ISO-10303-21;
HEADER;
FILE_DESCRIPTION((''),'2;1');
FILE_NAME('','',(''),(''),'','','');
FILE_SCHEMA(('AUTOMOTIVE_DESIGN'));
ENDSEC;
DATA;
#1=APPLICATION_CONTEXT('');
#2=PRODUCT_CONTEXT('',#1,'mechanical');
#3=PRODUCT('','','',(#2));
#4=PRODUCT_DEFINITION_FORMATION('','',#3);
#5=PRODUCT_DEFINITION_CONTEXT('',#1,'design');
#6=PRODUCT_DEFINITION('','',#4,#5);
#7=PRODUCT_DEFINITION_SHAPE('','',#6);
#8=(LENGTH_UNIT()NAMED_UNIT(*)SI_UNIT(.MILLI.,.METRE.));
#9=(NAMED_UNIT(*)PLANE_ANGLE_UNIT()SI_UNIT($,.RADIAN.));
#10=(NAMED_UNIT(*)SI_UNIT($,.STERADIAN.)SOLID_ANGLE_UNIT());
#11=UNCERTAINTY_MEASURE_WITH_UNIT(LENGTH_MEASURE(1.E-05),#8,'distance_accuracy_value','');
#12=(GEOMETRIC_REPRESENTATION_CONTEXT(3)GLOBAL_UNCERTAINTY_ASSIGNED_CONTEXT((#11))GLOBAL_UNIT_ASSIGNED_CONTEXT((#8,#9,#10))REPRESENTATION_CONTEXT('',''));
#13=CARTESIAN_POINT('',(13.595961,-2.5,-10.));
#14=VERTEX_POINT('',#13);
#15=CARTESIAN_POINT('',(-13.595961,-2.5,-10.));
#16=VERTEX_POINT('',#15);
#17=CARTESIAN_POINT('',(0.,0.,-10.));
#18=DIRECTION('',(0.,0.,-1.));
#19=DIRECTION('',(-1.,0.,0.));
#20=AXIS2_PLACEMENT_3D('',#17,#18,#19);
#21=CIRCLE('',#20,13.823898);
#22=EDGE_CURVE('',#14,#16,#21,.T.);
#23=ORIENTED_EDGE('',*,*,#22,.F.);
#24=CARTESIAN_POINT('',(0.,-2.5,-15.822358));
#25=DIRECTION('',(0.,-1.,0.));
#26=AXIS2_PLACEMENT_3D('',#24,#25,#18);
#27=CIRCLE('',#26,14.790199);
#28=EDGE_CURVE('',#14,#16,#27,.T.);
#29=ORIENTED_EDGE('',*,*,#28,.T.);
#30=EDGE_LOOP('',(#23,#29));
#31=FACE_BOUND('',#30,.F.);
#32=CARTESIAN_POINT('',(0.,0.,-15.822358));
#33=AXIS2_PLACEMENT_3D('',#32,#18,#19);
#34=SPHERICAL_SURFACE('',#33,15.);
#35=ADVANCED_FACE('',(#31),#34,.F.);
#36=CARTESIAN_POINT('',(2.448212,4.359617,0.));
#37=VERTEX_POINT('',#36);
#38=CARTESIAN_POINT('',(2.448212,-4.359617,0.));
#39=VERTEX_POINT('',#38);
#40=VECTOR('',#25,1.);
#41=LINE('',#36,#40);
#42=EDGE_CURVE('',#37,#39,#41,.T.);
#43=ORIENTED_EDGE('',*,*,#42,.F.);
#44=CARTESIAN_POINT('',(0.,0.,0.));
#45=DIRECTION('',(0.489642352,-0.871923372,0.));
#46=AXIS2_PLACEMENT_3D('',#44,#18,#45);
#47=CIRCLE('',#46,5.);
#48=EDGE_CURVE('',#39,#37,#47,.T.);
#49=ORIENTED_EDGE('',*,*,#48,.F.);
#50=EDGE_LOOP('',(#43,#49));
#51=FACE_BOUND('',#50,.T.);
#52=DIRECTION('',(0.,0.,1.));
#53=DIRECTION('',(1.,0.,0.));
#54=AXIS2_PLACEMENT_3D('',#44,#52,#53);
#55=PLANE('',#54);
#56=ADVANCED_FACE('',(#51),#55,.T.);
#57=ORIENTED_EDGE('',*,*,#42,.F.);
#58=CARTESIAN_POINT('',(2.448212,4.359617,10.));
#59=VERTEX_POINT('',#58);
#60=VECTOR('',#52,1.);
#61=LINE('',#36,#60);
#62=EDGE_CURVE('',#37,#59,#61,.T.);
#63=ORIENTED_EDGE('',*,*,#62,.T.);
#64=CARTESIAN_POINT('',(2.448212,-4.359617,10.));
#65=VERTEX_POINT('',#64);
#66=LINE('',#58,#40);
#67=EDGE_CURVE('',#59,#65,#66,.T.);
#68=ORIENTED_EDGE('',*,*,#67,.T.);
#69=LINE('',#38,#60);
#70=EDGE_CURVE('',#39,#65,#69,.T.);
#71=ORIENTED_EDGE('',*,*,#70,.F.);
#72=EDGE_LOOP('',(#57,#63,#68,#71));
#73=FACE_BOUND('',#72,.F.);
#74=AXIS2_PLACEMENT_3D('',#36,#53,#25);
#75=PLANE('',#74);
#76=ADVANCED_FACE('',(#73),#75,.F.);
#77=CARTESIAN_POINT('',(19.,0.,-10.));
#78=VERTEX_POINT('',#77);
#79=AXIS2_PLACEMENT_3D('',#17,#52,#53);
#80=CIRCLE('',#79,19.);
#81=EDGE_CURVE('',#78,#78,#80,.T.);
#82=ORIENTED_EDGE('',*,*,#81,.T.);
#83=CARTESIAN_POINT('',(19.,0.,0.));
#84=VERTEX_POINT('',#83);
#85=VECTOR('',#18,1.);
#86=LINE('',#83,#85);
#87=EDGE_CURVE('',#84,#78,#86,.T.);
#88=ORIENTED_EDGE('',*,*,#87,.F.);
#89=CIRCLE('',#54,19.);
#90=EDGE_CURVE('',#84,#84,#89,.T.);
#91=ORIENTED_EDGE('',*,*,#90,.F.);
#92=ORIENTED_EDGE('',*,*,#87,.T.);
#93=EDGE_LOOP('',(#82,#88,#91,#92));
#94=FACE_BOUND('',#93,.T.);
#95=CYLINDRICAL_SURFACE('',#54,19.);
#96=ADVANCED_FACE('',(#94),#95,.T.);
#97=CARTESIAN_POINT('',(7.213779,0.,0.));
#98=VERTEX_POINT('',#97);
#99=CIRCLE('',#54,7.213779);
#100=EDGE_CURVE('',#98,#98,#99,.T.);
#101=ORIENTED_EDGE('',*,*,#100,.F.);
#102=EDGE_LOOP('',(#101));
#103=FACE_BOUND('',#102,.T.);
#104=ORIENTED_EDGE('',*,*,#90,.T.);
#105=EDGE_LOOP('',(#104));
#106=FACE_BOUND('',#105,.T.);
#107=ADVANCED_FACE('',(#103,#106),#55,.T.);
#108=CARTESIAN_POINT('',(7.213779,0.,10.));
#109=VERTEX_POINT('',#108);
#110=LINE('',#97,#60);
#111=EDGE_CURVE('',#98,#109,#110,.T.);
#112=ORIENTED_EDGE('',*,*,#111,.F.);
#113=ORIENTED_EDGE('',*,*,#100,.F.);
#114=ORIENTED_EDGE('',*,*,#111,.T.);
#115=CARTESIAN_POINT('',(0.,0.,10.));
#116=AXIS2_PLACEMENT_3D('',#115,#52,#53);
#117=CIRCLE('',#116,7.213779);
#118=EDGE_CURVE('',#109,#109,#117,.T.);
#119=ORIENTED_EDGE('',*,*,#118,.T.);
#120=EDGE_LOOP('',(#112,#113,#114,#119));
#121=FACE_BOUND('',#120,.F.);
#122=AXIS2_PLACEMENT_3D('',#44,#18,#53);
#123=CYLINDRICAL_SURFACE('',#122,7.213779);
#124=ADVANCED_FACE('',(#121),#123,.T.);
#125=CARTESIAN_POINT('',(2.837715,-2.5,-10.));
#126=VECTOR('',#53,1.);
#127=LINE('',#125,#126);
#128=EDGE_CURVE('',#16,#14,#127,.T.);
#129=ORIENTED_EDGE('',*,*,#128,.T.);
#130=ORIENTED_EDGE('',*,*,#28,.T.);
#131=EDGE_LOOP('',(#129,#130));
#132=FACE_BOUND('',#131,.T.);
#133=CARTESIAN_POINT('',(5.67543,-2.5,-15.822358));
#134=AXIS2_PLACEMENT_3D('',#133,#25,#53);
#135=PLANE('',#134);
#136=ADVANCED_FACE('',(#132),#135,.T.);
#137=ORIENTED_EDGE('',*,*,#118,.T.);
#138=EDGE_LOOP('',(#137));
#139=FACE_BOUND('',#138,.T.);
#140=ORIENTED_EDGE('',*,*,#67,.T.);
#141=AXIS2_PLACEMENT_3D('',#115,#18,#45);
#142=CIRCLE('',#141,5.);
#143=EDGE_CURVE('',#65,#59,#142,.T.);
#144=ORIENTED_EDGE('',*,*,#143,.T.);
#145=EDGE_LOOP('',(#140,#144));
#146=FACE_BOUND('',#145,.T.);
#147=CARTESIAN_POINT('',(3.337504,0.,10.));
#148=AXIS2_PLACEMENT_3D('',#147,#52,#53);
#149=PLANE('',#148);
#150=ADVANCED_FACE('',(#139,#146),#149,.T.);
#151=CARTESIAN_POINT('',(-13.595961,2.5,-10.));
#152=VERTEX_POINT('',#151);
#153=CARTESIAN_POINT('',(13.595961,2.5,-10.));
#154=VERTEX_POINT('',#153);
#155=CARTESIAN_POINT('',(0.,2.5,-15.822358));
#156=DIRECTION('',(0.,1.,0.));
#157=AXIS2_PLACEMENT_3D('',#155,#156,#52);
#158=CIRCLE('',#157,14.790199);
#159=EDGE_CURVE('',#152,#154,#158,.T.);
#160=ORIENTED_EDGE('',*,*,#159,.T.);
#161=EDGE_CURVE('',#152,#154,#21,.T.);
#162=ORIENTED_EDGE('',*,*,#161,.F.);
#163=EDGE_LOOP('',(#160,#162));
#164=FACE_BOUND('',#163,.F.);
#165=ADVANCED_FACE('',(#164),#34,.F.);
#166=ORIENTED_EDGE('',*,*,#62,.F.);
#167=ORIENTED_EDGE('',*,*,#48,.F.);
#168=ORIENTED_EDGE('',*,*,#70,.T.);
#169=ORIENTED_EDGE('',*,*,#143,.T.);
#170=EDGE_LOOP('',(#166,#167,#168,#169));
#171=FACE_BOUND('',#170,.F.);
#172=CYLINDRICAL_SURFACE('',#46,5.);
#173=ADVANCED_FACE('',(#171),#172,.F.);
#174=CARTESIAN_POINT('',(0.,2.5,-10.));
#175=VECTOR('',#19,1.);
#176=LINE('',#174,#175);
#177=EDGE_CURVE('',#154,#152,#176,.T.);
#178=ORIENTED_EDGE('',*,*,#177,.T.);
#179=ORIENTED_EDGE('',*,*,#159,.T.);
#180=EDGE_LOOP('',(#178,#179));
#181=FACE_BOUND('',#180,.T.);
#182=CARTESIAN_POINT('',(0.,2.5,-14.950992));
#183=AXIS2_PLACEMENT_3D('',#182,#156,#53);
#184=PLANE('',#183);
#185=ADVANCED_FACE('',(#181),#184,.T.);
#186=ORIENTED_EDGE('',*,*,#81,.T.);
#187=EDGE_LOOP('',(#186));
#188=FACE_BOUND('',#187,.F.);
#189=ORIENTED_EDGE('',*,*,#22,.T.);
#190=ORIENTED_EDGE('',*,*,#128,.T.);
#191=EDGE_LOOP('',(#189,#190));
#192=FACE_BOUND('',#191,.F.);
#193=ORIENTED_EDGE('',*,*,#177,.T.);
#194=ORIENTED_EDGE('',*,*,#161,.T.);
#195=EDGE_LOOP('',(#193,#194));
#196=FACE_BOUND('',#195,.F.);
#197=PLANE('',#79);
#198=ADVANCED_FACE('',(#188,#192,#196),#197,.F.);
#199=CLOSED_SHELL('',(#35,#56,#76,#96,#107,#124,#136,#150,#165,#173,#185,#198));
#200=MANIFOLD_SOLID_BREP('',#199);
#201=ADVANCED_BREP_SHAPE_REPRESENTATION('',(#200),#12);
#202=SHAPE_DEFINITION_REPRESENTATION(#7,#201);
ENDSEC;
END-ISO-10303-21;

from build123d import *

# Parameters (mm, degrees)
F0_R      = 7.213779
F1_DEPTH  = 10
F2_DEPTH  = 10
F3_R      = 19
F4_DEPTH  = 10
F7_DEPTH  = 2.5
F8_DEPTH  = 2.5
F9_R      = 20.252872
F10_DEPTH = 20.822358


with BuildPart() as f1:
    # F0 (on Top) → F1 (new body)
    with BuildSketch(Plane.XY):
        Circle(F0_R)
        with BuildLine():
            ThreePointArc((2.448212, 4.359617), (4.315151, 2.525761), (5, 0))
            ThreePointArc((5, 0), (4.315151, -2.525761), (2.448212, -4.359617))
            ThreePointArc((2.448212, -4.359617), (-5, 0), (2.448212, 4.359617))
        make_face(mode=Mode.SUBTRACT)
    extrude(amount=F1_DEPTH)

    # F0 (on Top) → F2 (join)
    with BuildSketch(Plane.XY):
        with BuildLine():
            ThreePointArc((2.448212, -4.359617), (4.315151, -2.525761), (5, 0))
            ThreePointArc((5, 0), (4.315151, 2.525761), (2.448212, 4.359617))
            Line((2.448212, 4.359617), (2.448212, -4.359617))
        make_face()
    extrude(amount=F2_DEPTH)

    # F3 (on Top) → F4 (join)
    with BuildSketch(Plane.XY):
        Circle(F3_R)
    extrude(amount=-F4_DEPTH)

    # F5 (on Front) → F6 (revolve, cut)
    with BuildSketch(Plane.XZ):
        with BuildLine():
            Line((0, -30.822358), (0, -0.822358))
            ThreePointArc((0, -0.822358), (-15, -15.822358), (0, -30.822358))
        make_face()
    revolve(axis=Axis((0, 0, -15.822358), (0, 0, -1)), mode=Mode.SUBTRACT)

    # F5 (on Front) → F7 (join)
    with BuildSketch(Plane.XZ):
        with BuildLine():
            ThreePointArc((0, -30.822358), (10.606602, -26.42896), (15, -15.822358))
            ThreePointArc((15, -15.822358), (10.606602, -5.215757), (0, -0.822358))
            Line((0, -0.822358), (0, -30.822358))
        make_face()
        with BuildLine():
            Line((0, -30.822358), (0, -0.822358))
            ThreePointArc((0, -0.822358), (-15, -15.822358), (0, -30.822358))
        make_face()
    extrude(amount=F7_DEPTH)

    # F7_face (on face) → F8 (join)
    with BuildSketch(Plane(origin=(0, 0, -15.822358), x_dir=(1, 0, 0), z_dir=(0, 1, 0))):
        with BuildLine():
            ThreePointArc((-13.823898, -5.822358), (-8.296524, -12.496707), (0, -15))
            ThreePointArc((0, -15), (8.296524, -12.496707), (13.823898, -5.822358))
            ThreePointArc((13.823898, -5.822358), (0, 15), (-13.823898, -5.822358))
        make_face()
    extrude(amount=F8_DEPTH)

    # F9 (on face) → F10 (cut, through all)
    with BuildSketch(Plane(origin=(0, 0, -10), x_dir=(1, 0, 0), z_dir=(0, 0, -1))):
        Circle(F9_R)
    extrude(amount=F10_DEPTH, mode=Mode.SUBTRACT)


solid = f1.part
